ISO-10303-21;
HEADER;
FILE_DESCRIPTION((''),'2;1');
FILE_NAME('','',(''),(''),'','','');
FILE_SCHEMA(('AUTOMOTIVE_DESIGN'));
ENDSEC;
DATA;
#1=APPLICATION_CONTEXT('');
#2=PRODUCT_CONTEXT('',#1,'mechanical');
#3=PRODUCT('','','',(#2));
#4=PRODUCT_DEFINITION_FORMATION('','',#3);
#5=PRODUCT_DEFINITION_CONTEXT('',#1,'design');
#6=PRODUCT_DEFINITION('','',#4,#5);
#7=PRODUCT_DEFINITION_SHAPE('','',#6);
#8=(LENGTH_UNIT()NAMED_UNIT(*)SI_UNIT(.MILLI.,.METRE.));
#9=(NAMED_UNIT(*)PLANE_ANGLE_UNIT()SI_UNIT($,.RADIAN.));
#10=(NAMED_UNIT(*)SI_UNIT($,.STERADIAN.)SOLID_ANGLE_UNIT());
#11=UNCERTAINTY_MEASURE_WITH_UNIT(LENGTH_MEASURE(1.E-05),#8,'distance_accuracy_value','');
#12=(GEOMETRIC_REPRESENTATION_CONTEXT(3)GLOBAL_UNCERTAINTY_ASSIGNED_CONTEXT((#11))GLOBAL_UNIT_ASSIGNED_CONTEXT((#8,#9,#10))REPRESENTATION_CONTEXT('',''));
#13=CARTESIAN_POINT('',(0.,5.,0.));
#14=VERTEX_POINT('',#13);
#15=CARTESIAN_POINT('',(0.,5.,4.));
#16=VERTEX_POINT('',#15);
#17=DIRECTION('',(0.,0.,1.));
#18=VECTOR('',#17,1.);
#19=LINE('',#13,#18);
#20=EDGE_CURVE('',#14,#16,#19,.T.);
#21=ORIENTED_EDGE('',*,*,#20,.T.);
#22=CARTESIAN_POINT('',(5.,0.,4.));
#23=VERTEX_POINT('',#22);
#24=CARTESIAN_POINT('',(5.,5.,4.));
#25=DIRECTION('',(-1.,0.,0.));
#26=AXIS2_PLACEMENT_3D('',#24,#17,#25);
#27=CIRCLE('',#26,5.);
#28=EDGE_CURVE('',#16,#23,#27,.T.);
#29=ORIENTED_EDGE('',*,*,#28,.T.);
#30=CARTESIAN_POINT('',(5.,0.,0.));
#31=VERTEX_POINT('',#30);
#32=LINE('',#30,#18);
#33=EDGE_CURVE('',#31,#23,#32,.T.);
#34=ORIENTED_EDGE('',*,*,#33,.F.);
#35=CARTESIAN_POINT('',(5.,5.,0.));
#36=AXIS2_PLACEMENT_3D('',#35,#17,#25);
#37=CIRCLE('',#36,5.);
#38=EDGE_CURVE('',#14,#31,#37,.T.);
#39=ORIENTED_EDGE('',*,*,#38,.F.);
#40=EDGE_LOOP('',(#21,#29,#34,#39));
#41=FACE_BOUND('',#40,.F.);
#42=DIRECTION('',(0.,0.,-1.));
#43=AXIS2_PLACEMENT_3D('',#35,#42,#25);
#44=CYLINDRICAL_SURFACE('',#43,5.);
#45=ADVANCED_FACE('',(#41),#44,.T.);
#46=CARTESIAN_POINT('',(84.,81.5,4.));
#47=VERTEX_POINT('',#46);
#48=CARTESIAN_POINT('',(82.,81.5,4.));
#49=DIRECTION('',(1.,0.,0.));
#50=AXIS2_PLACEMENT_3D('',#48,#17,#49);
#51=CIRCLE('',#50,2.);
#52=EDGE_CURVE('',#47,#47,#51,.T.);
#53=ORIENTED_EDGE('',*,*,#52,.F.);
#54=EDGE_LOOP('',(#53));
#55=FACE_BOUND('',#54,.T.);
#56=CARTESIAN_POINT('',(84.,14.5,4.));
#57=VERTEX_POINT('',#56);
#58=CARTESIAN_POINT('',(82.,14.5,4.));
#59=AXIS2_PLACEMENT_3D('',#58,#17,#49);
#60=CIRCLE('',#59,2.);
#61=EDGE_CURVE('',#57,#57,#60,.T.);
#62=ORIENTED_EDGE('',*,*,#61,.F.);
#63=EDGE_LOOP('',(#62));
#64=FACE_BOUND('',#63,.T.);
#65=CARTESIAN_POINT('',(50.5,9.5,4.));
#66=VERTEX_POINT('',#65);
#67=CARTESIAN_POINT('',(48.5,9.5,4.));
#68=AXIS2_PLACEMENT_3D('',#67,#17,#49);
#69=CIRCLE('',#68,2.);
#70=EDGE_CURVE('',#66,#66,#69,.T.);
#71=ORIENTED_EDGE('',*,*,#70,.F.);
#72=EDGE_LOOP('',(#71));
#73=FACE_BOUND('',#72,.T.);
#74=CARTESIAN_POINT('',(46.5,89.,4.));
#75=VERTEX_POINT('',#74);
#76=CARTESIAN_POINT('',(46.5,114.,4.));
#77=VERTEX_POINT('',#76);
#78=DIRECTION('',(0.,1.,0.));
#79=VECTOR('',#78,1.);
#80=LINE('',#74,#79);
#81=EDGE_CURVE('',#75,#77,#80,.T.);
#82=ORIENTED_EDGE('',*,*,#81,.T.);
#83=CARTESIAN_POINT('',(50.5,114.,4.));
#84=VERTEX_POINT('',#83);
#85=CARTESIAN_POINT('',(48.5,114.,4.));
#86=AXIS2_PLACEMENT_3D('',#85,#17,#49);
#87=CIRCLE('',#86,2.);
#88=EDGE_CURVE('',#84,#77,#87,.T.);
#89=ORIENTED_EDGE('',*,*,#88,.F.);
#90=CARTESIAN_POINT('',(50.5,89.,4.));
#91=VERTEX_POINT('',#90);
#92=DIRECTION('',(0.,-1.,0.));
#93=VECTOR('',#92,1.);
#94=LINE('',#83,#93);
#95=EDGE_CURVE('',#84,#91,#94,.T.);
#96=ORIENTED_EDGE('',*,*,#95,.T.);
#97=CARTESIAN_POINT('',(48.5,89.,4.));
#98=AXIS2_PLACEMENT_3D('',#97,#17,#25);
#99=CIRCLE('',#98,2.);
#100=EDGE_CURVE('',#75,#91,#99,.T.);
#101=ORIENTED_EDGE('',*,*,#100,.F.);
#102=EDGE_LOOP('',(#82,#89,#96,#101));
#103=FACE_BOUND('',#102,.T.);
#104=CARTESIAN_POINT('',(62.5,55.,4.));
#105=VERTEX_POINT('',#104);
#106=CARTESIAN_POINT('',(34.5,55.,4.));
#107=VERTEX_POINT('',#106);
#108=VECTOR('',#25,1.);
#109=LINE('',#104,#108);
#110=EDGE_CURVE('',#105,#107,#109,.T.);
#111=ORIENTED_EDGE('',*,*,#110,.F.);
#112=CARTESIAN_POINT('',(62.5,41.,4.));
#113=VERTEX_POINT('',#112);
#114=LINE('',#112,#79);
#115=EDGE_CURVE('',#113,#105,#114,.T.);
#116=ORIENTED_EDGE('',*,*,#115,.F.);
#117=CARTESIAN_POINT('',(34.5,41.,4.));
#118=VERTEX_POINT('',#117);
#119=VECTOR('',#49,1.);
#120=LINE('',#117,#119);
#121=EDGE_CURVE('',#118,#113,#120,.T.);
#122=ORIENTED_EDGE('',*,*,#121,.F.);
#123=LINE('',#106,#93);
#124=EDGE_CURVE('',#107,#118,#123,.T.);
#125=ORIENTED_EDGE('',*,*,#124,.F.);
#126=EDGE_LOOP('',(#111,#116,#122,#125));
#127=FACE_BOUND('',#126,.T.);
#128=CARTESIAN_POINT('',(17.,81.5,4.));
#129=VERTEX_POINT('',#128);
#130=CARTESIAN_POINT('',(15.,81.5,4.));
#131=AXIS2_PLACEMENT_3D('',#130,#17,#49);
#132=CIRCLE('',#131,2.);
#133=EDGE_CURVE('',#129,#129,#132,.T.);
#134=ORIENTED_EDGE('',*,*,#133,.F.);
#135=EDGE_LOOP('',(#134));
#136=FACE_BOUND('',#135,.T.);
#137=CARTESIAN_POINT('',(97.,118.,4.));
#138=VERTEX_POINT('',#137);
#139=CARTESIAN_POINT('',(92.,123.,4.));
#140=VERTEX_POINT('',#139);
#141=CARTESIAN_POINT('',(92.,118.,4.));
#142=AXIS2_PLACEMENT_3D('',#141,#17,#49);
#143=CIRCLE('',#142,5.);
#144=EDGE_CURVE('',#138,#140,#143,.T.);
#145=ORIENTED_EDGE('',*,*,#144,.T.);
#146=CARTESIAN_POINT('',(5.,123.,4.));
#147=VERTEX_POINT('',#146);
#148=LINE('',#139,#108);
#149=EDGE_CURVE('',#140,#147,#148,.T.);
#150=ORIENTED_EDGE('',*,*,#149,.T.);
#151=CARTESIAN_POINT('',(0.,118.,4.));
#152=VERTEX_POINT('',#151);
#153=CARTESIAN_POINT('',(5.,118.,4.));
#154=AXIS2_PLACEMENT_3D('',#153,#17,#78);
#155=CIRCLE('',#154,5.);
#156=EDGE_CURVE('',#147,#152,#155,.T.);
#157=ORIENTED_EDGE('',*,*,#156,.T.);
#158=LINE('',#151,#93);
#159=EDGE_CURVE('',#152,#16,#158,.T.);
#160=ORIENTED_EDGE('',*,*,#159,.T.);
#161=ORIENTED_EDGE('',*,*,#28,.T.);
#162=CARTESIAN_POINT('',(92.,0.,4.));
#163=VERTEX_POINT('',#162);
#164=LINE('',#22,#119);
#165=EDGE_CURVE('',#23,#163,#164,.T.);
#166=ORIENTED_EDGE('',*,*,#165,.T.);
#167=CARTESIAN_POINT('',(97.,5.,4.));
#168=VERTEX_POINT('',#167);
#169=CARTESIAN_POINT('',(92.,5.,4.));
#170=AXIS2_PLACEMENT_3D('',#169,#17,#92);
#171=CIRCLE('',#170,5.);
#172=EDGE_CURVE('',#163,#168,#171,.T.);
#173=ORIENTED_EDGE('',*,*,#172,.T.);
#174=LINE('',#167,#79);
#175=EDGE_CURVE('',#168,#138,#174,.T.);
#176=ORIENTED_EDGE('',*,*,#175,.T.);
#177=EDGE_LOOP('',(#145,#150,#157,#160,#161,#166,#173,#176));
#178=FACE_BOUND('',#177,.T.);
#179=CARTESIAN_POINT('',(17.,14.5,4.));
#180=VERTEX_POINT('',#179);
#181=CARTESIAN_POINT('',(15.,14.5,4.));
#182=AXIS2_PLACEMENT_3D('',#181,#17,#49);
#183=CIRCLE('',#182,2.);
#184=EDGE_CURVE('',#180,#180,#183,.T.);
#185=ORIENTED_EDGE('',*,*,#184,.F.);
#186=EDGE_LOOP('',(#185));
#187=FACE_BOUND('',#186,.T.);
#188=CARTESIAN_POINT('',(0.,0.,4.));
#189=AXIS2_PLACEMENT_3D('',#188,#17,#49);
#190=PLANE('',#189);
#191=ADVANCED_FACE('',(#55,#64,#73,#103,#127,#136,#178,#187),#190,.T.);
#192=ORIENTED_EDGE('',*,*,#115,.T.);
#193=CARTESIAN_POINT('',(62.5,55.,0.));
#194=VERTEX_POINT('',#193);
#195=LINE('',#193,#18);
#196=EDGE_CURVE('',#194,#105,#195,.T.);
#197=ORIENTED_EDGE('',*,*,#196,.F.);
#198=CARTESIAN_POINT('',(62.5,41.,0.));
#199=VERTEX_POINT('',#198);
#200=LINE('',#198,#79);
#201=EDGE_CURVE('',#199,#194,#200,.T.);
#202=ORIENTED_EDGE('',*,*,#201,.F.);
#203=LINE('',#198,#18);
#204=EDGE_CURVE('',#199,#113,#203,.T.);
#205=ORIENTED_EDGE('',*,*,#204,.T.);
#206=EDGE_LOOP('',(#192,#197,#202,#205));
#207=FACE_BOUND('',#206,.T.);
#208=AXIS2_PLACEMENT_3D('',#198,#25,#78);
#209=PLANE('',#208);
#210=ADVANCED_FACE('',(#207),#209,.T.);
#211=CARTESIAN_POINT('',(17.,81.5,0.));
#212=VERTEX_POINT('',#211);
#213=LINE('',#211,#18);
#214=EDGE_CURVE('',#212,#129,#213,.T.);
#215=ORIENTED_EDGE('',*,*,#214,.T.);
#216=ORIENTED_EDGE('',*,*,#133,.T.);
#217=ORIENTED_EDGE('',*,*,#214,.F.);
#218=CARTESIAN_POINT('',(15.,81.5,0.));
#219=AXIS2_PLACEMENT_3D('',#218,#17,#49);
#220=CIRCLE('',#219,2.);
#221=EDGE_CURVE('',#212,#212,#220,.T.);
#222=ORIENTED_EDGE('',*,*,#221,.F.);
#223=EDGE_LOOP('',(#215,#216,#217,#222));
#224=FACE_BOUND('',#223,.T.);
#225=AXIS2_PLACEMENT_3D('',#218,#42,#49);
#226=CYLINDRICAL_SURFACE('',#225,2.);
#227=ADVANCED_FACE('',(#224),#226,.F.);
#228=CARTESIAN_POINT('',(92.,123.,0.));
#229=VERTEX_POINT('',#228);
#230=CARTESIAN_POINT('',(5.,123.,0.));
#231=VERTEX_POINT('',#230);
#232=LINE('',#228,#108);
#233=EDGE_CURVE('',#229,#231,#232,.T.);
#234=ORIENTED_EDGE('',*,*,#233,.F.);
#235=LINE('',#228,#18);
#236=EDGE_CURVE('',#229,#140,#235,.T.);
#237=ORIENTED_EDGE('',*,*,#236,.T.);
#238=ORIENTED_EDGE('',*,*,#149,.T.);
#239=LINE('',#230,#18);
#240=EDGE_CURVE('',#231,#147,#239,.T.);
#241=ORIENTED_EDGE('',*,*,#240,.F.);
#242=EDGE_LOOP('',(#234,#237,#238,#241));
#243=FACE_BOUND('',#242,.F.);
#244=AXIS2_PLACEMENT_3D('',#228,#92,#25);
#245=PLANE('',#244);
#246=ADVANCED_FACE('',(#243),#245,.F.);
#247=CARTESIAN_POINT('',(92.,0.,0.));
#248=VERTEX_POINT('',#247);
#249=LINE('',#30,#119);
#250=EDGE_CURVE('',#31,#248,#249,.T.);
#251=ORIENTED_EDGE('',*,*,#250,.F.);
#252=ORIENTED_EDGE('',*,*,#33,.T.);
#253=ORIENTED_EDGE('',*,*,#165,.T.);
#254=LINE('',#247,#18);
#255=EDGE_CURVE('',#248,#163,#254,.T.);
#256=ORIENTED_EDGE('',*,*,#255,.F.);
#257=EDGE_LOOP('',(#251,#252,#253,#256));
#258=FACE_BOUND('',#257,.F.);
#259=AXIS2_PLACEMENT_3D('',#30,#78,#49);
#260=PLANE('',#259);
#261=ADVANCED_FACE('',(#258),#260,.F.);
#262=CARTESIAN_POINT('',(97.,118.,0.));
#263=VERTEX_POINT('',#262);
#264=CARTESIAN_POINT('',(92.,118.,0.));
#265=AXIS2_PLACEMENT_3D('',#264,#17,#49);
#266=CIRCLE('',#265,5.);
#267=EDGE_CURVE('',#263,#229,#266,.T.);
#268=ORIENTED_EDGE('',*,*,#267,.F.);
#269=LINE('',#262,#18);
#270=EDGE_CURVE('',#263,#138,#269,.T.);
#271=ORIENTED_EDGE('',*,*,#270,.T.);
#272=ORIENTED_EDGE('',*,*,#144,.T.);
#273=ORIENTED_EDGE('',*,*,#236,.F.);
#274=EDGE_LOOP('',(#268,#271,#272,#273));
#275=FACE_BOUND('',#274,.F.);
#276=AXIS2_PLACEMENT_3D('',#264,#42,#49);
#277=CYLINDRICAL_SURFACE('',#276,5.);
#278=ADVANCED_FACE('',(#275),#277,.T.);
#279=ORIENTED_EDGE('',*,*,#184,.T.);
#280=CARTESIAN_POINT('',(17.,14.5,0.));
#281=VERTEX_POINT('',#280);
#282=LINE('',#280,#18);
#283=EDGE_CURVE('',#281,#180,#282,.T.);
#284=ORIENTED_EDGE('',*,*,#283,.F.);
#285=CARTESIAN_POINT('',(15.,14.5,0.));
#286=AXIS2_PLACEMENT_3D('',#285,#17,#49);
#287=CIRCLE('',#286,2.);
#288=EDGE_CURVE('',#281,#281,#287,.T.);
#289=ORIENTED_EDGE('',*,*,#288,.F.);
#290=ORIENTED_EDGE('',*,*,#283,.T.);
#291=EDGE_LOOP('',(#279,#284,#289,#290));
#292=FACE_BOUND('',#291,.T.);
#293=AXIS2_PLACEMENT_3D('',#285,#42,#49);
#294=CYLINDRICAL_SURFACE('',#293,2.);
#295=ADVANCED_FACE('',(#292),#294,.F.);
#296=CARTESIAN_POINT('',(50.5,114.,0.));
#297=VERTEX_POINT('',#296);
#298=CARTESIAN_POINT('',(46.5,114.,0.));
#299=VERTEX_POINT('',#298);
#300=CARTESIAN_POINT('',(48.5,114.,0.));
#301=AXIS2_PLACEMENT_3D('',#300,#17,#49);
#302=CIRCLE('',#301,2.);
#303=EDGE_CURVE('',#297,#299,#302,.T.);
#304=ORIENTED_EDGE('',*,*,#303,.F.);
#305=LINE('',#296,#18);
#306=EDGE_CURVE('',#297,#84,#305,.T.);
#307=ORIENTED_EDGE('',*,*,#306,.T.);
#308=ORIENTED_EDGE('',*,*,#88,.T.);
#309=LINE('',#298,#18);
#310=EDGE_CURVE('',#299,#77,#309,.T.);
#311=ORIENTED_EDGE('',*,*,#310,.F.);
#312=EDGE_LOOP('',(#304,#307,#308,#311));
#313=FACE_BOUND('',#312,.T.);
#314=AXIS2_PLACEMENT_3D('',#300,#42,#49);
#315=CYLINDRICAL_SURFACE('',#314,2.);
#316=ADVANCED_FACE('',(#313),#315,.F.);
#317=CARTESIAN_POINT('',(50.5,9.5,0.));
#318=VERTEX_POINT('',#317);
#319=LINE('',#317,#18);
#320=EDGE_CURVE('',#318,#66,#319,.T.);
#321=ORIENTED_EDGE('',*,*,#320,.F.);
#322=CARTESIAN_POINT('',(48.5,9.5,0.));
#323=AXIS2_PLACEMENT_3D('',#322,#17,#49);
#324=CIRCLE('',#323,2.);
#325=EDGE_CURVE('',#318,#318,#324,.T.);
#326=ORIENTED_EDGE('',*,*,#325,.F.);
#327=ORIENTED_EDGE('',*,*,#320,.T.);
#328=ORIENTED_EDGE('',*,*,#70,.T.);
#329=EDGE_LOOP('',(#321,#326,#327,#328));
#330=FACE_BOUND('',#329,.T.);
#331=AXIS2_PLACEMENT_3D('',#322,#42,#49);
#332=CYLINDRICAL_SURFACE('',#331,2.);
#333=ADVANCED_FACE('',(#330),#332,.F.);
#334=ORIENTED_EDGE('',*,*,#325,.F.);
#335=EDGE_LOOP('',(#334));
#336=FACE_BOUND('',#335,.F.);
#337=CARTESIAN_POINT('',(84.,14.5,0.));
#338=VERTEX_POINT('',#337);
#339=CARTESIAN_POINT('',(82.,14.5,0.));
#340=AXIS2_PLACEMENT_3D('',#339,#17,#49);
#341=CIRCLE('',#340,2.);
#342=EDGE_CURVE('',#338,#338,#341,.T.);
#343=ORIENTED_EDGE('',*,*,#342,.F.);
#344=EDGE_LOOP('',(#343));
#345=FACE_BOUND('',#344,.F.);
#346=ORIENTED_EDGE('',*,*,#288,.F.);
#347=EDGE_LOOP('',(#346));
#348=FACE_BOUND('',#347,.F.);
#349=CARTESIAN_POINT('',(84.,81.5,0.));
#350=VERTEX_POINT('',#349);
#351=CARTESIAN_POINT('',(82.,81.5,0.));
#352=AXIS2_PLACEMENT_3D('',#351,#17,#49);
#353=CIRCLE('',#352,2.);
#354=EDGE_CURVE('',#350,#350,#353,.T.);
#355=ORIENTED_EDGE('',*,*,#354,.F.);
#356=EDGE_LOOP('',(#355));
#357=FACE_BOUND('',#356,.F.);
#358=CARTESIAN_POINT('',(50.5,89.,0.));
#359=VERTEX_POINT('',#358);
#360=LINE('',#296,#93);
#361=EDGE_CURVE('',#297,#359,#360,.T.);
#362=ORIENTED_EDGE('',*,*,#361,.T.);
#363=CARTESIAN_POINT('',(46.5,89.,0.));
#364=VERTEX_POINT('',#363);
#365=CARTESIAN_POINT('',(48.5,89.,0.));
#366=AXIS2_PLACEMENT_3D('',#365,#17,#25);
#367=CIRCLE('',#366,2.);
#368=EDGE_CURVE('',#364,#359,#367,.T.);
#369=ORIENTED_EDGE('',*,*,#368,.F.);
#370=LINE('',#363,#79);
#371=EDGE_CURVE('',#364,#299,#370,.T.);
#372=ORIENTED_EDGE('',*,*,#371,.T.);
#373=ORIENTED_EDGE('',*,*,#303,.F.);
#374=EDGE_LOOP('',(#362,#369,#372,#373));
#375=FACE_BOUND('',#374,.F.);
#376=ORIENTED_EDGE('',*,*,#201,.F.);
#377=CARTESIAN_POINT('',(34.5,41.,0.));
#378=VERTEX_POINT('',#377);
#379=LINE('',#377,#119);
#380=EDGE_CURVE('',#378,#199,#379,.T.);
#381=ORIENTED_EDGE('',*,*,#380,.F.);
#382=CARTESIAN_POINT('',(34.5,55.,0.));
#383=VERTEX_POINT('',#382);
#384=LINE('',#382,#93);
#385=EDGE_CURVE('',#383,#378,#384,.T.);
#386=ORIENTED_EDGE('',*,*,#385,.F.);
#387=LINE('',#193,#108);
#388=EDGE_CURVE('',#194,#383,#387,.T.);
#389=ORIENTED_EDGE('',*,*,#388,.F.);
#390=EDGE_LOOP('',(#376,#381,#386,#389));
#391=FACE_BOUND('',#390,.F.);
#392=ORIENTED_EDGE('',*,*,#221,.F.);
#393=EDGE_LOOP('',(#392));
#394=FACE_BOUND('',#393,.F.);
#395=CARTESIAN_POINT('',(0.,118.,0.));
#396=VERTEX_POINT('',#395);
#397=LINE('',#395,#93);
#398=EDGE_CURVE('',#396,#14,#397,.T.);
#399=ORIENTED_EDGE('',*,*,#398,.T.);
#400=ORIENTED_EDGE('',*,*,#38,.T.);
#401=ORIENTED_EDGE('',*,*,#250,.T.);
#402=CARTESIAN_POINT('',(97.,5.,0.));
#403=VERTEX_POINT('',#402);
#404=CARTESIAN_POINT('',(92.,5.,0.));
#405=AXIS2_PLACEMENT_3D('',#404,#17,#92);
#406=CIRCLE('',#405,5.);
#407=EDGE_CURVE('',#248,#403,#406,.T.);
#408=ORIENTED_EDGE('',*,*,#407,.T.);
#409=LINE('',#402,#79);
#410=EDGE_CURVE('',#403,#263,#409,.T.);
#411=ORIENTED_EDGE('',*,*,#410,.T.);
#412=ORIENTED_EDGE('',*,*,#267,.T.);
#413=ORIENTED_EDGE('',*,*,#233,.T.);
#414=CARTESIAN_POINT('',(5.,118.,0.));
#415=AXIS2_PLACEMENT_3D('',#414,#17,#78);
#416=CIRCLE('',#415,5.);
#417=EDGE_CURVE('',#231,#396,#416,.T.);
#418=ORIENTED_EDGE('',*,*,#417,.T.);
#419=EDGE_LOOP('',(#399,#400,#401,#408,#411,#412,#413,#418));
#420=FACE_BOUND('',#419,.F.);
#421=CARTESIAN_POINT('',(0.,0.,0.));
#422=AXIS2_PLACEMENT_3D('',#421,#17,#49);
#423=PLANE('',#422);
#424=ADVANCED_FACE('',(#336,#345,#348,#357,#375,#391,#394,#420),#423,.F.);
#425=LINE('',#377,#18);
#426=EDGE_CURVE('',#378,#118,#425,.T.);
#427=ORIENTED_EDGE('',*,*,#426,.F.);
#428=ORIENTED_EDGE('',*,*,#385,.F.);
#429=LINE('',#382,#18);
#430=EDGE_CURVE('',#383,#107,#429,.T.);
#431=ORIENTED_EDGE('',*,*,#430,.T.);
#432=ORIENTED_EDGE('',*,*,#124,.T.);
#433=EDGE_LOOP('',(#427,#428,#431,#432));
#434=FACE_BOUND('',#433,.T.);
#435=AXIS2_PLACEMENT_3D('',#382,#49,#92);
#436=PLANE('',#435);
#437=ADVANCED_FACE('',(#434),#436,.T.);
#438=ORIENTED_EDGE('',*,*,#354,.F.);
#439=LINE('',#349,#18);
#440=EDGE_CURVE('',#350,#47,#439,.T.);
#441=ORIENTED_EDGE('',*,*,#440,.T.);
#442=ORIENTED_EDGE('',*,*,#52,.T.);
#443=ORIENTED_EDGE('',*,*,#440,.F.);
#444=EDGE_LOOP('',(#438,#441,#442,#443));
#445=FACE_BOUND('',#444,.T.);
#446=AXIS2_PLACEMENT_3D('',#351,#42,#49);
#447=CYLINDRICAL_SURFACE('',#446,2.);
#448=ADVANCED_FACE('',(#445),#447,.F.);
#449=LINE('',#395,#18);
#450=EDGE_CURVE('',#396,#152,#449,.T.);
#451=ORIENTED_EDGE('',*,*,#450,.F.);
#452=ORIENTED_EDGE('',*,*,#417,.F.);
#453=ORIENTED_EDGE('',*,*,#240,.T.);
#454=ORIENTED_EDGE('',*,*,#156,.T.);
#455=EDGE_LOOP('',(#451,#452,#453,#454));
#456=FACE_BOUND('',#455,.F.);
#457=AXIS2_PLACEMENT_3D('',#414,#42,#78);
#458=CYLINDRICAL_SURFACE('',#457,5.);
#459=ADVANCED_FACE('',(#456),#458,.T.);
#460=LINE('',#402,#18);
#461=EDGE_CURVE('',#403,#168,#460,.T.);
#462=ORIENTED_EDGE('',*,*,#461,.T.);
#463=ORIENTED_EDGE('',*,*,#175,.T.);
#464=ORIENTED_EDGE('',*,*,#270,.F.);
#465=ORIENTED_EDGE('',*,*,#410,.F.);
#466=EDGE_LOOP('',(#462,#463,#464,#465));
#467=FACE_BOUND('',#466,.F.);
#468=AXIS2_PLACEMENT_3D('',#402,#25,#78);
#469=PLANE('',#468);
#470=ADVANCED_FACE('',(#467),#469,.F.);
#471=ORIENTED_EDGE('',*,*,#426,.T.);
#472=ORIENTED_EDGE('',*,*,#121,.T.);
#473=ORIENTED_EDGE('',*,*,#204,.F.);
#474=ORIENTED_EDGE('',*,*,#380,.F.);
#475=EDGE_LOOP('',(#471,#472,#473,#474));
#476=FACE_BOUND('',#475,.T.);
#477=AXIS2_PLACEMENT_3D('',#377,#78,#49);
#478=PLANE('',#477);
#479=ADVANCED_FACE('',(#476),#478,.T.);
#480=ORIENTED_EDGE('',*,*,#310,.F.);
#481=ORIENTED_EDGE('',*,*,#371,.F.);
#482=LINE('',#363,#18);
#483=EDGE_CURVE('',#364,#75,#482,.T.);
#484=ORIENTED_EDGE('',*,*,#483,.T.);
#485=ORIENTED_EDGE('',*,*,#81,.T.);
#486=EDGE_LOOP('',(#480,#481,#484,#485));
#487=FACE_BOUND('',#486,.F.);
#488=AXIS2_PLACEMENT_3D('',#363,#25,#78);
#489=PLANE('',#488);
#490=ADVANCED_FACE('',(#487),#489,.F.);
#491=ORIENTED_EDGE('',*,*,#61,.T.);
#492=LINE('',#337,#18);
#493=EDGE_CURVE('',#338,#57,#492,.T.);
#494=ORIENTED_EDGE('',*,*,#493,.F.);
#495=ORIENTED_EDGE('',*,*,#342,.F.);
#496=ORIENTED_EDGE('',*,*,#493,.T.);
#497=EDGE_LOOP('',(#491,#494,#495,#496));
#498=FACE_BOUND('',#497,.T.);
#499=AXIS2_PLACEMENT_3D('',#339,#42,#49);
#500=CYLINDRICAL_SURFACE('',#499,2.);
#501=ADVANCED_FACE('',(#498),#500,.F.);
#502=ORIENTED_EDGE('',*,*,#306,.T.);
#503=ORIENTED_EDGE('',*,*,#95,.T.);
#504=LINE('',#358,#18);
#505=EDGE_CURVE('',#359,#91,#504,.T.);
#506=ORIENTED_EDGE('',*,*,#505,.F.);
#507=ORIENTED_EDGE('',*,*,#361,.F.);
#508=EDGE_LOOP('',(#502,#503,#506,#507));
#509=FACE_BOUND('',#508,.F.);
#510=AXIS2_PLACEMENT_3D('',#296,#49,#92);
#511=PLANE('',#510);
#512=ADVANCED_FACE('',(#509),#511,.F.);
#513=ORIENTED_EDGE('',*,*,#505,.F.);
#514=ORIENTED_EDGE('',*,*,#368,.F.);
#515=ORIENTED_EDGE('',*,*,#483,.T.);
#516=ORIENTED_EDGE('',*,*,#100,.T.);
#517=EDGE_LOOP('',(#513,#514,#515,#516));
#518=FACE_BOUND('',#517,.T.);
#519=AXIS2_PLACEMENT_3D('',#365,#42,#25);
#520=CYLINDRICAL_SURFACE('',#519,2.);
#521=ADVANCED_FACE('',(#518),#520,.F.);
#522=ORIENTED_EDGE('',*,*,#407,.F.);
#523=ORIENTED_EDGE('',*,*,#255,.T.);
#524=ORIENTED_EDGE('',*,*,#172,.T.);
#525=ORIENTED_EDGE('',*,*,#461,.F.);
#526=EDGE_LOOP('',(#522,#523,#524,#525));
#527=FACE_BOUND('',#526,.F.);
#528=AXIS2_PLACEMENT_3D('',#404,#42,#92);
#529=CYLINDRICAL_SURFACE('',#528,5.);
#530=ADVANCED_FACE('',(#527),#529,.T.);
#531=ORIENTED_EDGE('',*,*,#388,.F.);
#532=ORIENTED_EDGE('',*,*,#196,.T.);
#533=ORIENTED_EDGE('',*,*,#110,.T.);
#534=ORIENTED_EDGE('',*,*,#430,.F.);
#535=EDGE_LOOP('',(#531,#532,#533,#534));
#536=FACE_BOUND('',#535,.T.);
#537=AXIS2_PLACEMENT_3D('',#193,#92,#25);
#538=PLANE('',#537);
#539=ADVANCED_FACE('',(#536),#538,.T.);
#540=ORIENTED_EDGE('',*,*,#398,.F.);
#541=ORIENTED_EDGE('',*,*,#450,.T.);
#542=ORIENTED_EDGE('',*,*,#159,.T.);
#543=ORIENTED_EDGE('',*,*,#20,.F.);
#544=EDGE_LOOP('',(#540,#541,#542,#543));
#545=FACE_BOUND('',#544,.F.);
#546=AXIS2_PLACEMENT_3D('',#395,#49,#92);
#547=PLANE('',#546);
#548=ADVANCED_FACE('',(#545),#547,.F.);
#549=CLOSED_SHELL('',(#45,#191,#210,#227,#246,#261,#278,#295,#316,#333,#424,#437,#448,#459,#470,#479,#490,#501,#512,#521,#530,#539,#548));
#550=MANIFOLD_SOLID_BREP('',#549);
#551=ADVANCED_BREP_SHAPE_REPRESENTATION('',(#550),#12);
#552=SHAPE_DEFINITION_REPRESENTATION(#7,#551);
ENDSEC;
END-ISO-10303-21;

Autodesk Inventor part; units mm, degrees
ref_plane "YZ Plane" through (0, 0, 0) normal (1, 0, 0) x (0, 1, 0)
ref_plane "XZ Plane" through (0, 0, 0) normal (0, 1, 0) x (-1, 0, 0)
ref_plane "XY Plane" through (0, 0, 0) normal (0, 0, 1) x (1, 0, 0)
sketch "Эскиз1" plane through (0, 0, 0) normal (0, 0, 1) x (1, 0, 0)
  line L0 (5, 0) -> (92, 0)
  line L1 (97, 5) -> (97, 118)
  line L2 (92, 123) -> (5, 123)
  line L3 (0, 118) -> (0, 5)
  arc A0 (5, 123) -> (0, 118) centre (5, 118) ccw
  arc A1 (97, 118) -> (92, 123) centre (92, 118) ccw
  arc A2 (92, 0) -> (97, 5) centre (92, 5) ccw
  arc A3 (0, 5) -> (5, 0) centre (5, 5) ccw
  arc A4 (46.5, 89) -> (50.5, 89) centre (48.5, 89) ccw
  arc A5 (50.5, 114) -> (46.5, 114) centre (48.5, 114) ccw
  line L4 (46.5, 89) -> (46.5, 114)
  line L5 (50.5, 114) -> (50.5, 89)
  circle A6 centre (48.5, 9.5) radius 2
  line L6 (34.5, 41) -> (62.5, 41)
  line L7 (62.5, 41) -> (62.5, 55)
  line L8 (62.5, 55) -> (34.5, 55)
  line L9 (34.5, 55) -> (34.5, 41)
  circle A7 centre (15, 14.5) radius 2
  circle A8 centre (15, 81.5) radius 2
  circle A9 centre (82, 81.5) radius 2
  circle A10 centre (82, 14.5) radius 2
  point P0 (0, 0)
  point P1 (97, 123)
  point P2 (0, 123)
  dimension "d10" = 5
  dimension "d21" = 4
  dimension "d22" = 4
  dimension "d23" = 4
  dimension "d29" = 28
  dimension "d30" = 14
extrude "Выдавливание2" add sketch "Эскиз1" along normal blind 4
properties part number "Адаптер для считывателя Bolid Proxy-2MA часть 2"
